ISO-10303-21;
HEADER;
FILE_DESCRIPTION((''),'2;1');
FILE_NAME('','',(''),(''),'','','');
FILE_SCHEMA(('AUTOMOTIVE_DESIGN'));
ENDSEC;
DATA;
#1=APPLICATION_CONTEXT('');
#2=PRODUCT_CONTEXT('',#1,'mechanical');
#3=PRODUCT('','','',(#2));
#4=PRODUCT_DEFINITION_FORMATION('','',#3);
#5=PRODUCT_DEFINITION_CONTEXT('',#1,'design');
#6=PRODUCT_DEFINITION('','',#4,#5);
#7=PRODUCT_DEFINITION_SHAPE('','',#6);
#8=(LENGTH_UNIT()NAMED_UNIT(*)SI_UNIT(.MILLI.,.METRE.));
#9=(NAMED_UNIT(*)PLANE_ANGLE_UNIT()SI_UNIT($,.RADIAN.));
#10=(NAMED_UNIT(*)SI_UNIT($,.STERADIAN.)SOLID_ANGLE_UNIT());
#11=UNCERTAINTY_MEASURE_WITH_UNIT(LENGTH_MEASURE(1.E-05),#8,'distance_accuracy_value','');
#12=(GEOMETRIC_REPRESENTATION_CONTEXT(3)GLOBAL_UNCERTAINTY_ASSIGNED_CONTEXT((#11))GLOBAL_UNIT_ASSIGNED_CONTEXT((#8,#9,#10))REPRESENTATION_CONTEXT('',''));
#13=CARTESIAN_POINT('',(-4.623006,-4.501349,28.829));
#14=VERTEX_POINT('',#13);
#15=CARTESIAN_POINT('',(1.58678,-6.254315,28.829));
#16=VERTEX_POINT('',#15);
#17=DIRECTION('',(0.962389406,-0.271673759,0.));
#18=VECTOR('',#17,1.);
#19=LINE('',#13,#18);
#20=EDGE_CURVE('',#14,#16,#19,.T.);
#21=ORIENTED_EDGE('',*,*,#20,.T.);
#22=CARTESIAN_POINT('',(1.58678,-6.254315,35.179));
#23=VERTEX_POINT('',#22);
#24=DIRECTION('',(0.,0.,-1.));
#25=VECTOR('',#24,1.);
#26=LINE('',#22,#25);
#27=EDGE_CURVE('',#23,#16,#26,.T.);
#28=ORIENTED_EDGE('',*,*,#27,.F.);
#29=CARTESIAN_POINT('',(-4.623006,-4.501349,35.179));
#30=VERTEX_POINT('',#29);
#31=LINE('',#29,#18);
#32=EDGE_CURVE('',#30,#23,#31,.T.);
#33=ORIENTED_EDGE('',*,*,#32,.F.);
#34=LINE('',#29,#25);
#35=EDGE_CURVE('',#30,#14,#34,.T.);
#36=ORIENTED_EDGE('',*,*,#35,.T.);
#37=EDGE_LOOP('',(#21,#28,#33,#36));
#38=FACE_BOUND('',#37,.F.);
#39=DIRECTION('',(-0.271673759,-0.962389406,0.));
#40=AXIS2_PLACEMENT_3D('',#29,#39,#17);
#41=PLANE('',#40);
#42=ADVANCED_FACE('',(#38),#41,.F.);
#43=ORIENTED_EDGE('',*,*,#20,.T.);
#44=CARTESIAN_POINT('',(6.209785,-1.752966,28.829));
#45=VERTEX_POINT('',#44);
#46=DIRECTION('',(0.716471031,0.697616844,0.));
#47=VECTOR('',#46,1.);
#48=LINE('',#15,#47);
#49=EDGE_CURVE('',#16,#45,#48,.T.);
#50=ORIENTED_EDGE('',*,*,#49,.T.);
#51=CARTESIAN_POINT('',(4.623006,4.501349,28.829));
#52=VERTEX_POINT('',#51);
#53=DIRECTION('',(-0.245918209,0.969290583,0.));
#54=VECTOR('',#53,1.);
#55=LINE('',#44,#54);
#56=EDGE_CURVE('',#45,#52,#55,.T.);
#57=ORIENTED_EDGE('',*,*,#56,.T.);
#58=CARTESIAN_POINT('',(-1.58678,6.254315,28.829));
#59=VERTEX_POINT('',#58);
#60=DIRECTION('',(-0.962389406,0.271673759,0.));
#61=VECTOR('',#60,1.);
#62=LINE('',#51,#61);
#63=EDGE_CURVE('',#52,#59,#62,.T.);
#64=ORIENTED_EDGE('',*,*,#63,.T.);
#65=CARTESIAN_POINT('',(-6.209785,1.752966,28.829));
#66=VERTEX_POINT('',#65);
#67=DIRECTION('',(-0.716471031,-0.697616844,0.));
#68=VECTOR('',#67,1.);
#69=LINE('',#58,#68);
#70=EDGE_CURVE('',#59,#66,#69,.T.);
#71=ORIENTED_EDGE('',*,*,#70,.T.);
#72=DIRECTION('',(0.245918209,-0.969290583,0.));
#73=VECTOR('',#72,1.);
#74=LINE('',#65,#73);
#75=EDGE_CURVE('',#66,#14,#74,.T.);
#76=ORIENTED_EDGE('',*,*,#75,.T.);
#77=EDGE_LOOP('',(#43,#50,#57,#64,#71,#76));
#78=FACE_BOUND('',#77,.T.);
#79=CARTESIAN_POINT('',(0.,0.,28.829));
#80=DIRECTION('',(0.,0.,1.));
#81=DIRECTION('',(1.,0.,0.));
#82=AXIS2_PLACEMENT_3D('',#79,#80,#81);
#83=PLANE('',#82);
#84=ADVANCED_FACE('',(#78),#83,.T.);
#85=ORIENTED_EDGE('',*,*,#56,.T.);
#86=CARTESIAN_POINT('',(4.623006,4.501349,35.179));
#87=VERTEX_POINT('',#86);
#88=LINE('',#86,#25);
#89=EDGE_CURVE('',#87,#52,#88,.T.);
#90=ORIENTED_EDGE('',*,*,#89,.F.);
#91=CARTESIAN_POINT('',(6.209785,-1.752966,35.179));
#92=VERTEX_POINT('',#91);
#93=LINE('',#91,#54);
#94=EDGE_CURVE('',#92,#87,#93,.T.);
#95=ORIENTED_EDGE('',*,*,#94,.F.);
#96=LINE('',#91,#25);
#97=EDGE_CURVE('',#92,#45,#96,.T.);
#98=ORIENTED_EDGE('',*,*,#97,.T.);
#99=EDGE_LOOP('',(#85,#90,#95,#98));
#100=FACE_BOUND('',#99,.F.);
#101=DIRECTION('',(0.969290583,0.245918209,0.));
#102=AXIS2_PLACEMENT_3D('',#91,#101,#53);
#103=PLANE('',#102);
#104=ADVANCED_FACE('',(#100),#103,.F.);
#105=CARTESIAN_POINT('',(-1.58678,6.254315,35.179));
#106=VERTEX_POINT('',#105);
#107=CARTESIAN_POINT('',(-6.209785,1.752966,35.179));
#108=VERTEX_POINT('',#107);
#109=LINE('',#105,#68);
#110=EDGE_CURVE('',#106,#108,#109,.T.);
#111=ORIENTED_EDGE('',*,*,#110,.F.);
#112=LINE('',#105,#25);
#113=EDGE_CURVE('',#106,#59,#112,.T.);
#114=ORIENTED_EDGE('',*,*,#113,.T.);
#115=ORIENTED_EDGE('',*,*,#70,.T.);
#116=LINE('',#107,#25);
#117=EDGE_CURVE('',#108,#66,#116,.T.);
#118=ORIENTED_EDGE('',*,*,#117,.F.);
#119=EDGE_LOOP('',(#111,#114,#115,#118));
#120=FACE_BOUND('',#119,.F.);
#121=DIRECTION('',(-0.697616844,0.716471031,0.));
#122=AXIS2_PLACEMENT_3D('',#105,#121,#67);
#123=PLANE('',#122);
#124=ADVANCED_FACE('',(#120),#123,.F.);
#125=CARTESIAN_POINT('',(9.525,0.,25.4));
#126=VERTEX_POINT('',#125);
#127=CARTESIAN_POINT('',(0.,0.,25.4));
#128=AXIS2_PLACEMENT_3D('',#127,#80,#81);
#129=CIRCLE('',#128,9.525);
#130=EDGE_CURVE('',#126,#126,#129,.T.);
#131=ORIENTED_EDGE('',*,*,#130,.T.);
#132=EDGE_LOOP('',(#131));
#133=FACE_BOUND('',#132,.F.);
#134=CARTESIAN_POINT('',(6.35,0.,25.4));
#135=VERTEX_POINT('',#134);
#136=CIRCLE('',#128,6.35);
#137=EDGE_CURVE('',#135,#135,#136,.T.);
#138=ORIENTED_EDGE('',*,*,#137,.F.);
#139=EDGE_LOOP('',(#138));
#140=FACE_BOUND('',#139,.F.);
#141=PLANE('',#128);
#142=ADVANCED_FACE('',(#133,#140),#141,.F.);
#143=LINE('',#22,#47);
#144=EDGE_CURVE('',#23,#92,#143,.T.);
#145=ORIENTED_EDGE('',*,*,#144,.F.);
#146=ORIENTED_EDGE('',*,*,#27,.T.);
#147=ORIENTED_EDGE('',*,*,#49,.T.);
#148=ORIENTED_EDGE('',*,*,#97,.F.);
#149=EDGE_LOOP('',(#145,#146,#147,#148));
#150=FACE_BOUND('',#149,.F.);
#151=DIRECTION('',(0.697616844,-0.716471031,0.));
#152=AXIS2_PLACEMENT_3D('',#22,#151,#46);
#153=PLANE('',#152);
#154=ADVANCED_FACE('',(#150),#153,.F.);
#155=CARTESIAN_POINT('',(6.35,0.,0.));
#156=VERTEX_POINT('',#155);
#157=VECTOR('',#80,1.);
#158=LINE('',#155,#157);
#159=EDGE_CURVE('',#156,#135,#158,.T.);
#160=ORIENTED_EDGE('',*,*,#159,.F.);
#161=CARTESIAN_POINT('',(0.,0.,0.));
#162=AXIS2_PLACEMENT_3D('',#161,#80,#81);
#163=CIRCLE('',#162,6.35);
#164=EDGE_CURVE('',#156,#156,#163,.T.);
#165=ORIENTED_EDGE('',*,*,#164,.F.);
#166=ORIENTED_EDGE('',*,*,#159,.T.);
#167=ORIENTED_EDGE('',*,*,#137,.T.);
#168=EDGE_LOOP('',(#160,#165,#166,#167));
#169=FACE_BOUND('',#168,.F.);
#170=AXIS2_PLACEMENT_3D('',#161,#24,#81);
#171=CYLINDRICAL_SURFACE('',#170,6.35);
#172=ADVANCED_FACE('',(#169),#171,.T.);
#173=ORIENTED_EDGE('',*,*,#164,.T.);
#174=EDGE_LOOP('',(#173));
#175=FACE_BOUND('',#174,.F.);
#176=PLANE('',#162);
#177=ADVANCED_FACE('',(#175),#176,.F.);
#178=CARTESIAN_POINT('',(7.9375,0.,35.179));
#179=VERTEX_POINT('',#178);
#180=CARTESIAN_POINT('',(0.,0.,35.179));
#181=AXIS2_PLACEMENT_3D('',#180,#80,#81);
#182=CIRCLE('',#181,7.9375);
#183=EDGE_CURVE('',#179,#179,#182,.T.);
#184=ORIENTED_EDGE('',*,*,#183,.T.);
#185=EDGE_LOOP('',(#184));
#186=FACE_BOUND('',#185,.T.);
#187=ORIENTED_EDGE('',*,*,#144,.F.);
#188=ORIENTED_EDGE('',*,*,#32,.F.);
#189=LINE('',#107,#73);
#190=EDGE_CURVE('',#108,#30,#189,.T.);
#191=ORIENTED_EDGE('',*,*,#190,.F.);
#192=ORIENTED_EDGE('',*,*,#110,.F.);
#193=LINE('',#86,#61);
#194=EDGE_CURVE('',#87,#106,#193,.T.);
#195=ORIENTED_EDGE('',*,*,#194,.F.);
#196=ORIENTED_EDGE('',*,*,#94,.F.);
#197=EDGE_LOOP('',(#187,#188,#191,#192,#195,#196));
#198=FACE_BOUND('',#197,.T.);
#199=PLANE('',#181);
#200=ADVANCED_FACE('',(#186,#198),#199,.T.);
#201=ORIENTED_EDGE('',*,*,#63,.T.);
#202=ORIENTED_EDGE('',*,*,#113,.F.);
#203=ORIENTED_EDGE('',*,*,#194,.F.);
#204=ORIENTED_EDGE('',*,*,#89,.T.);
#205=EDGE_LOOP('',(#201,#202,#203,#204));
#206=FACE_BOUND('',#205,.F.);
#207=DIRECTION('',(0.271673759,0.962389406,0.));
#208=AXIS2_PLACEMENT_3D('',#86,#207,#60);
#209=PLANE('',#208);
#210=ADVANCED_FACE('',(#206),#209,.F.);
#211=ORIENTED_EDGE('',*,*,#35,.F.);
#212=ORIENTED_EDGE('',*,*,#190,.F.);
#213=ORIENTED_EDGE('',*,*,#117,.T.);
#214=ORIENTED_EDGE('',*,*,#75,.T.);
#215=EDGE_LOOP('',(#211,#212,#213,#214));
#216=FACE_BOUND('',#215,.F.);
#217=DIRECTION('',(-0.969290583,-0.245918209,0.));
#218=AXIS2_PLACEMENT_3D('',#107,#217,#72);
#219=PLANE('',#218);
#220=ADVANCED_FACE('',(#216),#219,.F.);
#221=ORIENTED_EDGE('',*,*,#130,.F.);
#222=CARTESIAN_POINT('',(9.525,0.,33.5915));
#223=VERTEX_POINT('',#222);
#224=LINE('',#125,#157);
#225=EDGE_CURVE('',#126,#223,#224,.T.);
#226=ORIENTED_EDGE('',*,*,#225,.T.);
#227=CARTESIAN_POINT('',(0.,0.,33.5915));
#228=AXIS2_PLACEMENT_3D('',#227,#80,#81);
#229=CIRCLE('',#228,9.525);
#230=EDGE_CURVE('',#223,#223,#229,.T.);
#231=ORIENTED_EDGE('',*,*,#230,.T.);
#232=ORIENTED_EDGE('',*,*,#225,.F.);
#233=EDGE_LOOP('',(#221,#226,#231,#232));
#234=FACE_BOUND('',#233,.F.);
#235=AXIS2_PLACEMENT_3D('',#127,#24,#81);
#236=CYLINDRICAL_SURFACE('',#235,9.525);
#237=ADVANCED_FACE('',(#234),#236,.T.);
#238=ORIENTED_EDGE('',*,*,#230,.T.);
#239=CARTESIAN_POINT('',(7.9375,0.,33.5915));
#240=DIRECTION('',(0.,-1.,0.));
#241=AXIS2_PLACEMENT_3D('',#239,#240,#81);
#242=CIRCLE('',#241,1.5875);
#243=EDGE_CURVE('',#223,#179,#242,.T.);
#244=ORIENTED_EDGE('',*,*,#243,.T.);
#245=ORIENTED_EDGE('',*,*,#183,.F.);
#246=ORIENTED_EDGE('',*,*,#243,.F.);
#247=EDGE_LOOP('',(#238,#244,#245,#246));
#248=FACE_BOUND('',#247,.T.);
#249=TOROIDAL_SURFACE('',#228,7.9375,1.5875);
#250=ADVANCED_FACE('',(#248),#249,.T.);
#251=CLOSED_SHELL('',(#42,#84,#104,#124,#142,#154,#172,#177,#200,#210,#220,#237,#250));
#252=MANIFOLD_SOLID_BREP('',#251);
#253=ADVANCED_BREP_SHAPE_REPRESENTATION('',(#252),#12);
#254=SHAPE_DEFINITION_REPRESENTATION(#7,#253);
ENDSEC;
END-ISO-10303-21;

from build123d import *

# Parameters (mm, degrees)
F0_R      = 6.35
F1_DEPTH  = 25.4
F2_R      = 9.525
F3_DEPTH  = 9.8425
F4_R      = 1.5875
F6_DEPTH  = 6.35
F8_R      = 9.525
F9_DEPTH  = 9.779
F10_R     = 1.5875
F12_DEPTH = 6.35


with BuildPart() as f1:
    # F0 (on Top) → F1 (new body)
    with BuildSketch(Plane.XY):
        Circle(F0_R)
    extrude(amount=F1_DEPTH)

    # F8 (on face) → F9 (join)
    with BuildSketch(Plane.XY.offset(25.4)):
        Circle(F8_R)
    extrude(amount=F9_DEPTH)

    # F10
    f10_edges = [f1.edges().sort_by_distance(p)[0] for p in [
        (-9.525, 0, 35.179),
    ]]
    fillet(f10_edges, radius=F10_R)

    # F11 (on face) → F12 (cut)
    with BuildSketch(Plane.XY.offset(35.179)):
        Polygon((1.58678, -6.254315), (6.209785, -1.752966), (4.623006, 4.501349), (-1.58678, 6.254315), (-6.209785, 1.752966), (-4.623006, -4.501349), align=None)
    extrude(amount=-F12_DEPTH, mode=Mode.SUBTRACT)


with BuildPart() as f3:
    # F2 (on face) → F3 (new body)
    with BuildSketch(Plane.XY.offset(25.4)):
        Circle(F2_R)
    extrude(amount=F3_DEPTH)

    # F4
    f4_edges = [f3.edges().sort_by_distance(p)[0] for p in [
        (-9.525, 0, 35.2425),
    ]]
    fillet(f4_edges, radius=F4_R)

    # F5 (on face) → F6 (cut)
    with BuildSketch(Plane.XY.offset(35.2425)):
        Polygon((6.020851, -2.017882), (4.757963, 4.205269), (-1.262889, 6.223151), (-6.020851, 2.017882), (-4.757963, -4.205269), (1.262889, -6.223151), align=None)
    extrude(amount=-F6_DEPTH, mode=Mode.SUBTRACT)


solid = f1.part
